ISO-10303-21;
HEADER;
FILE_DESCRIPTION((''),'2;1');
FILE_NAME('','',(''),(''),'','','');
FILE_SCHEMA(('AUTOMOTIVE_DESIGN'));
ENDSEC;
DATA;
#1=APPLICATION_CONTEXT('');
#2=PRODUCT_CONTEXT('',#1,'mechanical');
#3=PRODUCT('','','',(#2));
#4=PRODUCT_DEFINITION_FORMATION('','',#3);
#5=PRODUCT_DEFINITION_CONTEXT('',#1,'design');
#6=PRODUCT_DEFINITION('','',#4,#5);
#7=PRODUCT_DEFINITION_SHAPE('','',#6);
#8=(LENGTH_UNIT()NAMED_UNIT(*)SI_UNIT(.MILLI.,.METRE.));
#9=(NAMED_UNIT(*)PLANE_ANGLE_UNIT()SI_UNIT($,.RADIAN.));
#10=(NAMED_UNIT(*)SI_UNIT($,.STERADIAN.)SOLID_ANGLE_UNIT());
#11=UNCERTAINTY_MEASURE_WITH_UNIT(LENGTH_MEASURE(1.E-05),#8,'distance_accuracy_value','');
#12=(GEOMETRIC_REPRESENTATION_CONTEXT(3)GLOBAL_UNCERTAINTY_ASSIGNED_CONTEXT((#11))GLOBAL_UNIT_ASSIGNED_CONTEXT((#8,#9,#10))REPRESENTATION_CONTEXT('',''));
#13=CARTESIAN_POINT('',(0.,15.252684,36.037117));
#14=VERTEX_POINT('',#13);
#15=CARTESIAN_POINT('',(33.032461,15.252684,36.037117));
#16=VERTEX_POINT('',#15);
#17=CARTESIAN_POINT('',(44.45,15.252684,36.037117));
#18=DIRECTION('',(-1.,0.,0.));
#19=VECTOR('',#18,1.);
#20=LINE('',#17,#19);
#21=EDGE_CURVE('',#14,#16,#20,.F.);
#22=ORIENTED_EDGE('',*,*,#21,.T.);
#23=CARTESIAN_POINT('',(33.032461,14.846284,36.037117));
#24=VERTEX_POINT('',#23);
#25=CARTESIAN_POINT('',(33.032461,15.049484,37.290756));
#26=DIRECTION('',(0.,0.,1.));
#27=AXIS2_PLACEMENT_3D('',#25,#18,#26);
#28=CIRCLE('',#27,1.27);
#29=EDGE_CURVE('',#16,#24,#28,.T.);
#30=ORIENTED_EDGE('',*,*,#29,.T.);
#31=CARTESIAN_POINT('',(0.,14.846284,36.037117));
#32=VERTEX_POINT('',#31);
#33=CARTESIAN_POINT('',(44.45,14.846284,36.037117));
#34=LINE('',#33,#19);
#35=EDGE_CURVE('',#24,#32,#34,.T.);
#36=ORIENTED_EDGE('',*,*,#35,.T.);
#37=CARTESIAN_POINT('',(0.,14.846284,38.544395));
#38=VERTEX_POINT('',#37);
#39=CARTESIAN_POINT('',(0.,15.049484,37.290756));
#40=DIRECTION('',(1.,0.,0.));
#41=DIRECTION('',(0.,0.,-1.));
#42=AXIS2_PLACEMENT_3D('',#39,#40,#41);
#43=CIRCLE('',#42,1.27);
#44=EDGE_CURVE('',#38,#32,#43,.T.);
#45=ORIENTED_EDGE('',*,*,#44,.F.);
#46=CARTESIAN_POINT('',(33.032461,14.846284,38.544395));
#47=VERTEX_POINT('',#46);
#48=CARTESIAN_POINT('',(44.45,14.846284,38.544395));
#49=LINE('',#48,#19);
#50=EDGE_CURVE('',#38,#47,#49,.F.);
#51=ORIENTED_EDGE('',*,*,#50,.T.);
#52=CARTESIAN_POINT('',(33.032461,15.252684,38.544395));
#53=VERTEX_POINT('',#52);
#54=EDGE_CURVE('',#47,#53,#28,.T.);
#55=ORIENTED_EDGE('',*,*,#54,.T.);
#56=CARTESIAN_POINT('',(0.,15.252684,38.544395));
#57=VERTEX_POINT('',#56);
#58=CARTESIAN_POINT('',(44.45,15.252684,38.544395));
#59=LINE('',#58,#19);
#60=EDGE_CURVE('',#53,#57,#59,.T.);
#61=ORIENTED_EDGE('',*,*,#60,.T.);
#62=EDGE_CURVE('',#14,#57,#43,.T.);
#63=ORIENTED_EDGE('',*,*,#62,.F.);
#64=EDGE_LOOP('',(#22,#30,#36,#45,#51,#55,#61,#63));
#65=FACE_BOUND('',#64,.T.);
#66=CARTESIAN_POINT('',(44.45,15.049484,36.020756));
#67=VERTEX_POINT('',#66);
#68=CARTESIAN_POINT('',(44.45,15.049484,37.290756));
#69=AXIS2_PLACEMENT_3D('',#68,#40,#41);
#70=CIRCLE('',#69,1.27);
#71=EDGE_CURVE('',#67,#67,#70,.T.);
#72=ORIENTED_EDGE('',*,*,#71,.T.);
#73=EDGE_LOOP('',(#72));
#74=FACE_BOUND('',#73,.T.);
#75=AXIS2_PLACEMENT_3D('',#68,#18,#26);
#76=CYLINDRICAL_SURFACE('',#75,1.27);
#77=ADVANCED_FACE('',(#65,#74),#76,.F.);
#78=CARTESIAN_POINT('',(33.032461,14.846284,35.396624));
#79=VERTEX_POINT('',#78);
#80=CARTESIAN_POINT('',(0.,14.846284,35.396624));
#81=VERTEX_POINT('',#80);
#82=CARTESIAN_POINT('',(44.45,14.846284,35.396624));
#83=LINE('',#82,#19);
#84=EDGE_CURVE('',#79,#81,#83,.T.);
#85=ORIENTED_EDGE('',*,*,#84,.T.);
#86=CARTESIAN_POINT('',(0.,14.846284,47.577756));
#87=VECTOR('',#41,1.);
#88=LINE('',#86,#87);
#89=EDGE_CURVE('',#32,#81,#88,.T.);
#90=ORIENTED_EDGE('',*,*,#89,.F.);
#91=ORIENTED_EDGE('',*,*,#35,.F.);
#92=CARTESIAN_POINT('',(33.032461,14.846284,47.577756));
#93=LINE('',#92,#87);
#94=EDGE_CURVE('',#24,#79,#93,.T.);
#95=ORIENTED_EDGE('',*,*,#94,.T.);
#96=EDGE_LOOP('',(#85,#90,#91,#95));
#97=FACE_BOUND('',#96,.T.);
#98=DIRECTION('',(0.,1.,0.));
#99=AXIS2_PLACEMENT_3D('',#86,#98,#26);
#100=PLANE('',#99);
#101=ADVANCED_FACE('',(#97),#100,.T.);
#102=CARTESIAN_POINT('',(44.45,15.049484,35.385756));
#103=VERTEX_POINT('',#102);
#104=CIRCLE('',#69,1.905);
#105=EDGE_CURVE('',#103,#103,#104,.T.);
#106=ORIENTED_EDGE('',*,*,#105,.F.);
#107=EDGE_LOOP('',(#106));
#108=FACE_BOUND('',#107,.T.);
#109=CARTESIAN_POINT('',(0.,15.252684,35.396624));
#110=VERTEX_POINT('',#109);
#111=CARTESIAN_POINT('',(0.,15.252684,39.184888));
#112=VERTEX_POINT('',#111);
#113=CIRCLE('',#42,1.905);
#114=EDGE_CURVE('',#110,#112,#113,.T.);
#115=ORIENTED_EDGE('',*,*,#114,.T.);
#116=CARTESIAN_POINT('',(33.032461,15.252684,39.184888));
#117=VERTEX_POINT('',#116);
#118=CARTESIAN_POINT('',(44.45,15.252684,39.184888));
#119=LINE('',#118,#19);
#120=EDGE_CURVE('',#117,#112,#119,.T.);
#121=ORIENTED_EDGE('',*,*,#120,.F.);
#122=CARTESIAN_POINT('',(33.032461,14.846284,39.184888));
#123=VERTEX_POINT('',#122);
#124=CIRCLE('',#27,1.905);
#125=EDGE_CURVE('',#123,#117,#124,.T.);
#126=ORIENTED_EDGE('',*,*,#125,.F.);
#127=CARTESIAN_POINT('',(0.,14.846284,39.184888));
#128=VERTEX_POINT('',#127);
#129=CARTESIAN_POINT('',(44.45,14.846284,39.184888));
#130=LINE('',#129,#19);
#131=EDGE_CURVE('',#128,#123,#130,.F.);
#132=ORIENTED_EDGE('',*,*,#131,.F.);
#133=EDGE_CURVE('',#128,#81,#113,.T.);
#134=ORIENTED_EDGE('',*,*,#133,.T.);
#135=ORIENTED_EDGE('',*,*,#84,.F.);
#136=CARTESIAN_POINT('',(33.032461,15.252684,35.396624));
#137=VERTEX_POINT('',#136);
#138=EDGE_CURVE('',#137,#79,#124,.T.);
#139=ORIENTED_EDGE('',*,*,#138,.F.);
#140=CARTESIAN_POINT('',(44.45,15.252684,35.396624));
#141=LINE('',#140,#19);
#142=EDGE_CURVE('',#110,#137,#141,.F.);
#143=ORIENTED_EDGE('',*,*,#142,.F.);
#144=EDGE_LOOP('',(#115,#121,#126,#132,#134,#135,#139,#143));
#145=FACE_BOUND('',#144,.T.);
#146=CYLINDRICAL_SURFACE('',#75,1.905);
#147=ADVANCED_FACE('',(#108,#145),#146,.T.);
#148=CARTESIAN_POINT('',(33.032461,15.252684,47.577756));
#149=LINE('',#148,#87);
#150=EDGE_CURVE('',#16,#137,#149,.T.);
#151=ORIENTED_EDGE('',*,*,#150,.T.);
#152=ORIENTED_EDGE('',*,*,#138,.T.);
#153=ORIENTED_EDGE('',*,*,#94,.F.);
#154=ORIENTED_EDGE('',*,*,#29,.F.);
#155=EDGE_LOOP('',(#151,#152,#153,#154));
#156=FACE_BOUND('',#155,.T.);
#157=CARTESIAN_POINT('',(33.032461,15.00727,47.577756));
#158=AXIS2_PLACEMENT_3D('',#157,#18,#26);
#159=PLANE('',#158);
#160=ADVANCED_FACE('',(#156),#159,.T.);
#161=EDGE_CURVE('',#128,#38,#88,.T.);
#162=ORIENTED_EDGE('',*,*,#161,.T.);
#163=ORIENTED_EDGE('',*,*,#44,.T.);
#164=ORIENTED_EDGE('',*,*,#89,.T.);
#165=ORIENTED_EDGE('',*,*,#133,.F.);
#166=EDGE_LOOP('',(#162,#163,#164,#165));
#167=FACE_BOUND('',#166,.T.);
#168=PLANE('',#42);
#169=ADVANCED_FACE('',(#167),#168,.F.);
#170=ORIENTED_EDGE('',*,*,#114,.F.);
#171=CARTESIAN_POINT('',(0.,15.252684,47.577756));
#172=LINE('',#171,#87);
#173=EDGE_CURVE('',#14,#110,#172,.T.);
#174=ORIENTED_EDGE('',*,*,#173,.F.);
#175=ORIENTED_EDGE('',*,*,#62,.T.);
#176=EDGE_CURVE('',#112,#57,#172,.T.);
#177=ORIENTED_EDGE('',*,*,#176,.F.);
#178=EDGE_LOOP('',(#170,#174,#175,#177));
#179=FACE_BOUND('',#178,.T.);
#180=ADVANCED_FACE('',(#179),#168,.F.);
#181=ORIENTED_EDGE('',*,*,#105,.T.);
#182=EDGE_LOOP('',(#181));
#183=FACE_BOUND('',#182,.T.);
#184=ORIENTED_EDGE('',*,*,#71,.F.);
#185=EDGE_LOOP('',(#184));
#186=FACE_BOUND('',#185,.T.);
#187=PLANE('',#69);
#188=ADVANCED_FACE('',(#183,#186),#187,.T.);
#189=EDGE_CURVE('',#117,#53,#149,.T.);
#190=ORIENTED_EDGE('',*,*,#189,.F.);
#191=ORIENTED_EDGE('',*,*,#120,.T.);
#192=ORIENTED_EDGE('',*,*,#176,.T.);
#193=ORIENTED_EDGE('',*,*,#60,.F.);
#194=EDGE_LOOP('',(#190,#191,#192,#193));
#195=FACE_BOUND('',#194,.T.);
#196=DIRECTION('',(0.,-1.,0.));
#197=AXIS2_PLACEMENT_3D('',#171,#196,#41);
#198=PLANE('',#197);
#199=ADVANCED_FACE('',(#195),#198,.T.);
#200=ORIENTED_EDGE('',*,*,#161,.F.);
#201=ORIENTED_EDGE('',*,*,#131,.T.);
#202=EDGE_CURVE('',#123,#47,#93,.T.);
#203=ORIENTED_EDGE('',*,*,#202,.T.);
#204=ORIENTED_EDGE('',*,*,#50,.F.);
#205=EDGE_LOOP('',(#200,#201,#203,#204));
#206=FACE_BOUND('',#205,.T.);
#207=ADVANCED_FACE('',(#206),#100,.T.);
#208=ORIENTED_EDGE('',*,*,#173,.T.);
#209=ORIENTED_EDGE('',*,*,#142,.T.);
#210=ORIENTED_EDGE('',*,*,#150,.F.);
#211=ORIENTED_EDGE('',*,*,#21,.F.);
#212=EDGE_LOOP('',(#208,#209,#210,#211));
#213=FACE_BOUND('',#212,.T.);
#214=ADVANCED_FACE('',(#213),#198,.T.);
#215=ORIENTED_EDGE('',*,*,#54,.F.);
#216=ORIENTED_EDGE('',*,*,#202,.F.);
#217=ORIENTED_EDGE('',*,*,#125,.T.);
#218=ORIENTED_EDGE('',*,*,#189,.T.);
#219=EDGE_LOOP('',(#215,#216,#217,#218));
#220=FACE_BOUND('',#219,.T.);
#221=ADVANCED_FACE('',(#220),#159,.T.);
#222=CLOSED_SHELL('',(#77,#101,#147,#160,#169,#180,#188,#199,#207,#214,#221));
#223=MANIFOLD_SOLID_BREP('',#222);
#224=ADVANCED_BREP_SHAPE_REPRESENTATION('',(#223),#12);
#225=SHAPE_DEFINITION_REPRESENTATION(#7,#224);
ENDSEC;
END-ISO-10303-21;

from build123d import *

# Parameters (mm, degrees)
SKETCH1_R               = 1.905
SKETCH1_R_2             = 1.27
BOSS_EXTRUDE1_DEPTH     = 44.45
CUT_EXTRUDE6_DEPTH      = 8.382
CUT_EXTRUDE6_DEPTH_BACK = 6.858


with BuildPart() as part:
    # Sketch1 → Boss-Extrude1 (new body)
    with BuildSketch(Plane(origin=(0, 0, 0), x_dir=(0, 0, -1), z_dir=(1, 0, 0))):
        with Locations((-37.290755903, 15.049483632)):
            Circle(SKETCH1_R)
        with Locations((-37.290755903, 15.049483632)):
            Circle(SKETCH1_R_2, mode=Mode.SUBTRACT)
    extrude(amount=BOSS_EXTRUDE1_DEPTH)

    # Sketch10 → Cut-Extrude6 (cut, two sides: drawn at the far end of the back side and taken through both)
    with BuildSketch(Plane.XY.offset(39.195755903).offset(-CUT_EXTRUDE6_DEPTH_BACK)):
        Polygon((0, 15.049483632), (0, 15.252683632), (33.032460862, 15.252683632), (33.032460862, 15.007269714), (33.032460862, 14.846283632), (0, 14.846283632), align=None)
    extrude(amount=CUT_EXTRUDE6_DEPTH + CUT_EXTRUDE6_DEPTH_BACK, mode=Mode.SUBTRACT)


solid = part.part
